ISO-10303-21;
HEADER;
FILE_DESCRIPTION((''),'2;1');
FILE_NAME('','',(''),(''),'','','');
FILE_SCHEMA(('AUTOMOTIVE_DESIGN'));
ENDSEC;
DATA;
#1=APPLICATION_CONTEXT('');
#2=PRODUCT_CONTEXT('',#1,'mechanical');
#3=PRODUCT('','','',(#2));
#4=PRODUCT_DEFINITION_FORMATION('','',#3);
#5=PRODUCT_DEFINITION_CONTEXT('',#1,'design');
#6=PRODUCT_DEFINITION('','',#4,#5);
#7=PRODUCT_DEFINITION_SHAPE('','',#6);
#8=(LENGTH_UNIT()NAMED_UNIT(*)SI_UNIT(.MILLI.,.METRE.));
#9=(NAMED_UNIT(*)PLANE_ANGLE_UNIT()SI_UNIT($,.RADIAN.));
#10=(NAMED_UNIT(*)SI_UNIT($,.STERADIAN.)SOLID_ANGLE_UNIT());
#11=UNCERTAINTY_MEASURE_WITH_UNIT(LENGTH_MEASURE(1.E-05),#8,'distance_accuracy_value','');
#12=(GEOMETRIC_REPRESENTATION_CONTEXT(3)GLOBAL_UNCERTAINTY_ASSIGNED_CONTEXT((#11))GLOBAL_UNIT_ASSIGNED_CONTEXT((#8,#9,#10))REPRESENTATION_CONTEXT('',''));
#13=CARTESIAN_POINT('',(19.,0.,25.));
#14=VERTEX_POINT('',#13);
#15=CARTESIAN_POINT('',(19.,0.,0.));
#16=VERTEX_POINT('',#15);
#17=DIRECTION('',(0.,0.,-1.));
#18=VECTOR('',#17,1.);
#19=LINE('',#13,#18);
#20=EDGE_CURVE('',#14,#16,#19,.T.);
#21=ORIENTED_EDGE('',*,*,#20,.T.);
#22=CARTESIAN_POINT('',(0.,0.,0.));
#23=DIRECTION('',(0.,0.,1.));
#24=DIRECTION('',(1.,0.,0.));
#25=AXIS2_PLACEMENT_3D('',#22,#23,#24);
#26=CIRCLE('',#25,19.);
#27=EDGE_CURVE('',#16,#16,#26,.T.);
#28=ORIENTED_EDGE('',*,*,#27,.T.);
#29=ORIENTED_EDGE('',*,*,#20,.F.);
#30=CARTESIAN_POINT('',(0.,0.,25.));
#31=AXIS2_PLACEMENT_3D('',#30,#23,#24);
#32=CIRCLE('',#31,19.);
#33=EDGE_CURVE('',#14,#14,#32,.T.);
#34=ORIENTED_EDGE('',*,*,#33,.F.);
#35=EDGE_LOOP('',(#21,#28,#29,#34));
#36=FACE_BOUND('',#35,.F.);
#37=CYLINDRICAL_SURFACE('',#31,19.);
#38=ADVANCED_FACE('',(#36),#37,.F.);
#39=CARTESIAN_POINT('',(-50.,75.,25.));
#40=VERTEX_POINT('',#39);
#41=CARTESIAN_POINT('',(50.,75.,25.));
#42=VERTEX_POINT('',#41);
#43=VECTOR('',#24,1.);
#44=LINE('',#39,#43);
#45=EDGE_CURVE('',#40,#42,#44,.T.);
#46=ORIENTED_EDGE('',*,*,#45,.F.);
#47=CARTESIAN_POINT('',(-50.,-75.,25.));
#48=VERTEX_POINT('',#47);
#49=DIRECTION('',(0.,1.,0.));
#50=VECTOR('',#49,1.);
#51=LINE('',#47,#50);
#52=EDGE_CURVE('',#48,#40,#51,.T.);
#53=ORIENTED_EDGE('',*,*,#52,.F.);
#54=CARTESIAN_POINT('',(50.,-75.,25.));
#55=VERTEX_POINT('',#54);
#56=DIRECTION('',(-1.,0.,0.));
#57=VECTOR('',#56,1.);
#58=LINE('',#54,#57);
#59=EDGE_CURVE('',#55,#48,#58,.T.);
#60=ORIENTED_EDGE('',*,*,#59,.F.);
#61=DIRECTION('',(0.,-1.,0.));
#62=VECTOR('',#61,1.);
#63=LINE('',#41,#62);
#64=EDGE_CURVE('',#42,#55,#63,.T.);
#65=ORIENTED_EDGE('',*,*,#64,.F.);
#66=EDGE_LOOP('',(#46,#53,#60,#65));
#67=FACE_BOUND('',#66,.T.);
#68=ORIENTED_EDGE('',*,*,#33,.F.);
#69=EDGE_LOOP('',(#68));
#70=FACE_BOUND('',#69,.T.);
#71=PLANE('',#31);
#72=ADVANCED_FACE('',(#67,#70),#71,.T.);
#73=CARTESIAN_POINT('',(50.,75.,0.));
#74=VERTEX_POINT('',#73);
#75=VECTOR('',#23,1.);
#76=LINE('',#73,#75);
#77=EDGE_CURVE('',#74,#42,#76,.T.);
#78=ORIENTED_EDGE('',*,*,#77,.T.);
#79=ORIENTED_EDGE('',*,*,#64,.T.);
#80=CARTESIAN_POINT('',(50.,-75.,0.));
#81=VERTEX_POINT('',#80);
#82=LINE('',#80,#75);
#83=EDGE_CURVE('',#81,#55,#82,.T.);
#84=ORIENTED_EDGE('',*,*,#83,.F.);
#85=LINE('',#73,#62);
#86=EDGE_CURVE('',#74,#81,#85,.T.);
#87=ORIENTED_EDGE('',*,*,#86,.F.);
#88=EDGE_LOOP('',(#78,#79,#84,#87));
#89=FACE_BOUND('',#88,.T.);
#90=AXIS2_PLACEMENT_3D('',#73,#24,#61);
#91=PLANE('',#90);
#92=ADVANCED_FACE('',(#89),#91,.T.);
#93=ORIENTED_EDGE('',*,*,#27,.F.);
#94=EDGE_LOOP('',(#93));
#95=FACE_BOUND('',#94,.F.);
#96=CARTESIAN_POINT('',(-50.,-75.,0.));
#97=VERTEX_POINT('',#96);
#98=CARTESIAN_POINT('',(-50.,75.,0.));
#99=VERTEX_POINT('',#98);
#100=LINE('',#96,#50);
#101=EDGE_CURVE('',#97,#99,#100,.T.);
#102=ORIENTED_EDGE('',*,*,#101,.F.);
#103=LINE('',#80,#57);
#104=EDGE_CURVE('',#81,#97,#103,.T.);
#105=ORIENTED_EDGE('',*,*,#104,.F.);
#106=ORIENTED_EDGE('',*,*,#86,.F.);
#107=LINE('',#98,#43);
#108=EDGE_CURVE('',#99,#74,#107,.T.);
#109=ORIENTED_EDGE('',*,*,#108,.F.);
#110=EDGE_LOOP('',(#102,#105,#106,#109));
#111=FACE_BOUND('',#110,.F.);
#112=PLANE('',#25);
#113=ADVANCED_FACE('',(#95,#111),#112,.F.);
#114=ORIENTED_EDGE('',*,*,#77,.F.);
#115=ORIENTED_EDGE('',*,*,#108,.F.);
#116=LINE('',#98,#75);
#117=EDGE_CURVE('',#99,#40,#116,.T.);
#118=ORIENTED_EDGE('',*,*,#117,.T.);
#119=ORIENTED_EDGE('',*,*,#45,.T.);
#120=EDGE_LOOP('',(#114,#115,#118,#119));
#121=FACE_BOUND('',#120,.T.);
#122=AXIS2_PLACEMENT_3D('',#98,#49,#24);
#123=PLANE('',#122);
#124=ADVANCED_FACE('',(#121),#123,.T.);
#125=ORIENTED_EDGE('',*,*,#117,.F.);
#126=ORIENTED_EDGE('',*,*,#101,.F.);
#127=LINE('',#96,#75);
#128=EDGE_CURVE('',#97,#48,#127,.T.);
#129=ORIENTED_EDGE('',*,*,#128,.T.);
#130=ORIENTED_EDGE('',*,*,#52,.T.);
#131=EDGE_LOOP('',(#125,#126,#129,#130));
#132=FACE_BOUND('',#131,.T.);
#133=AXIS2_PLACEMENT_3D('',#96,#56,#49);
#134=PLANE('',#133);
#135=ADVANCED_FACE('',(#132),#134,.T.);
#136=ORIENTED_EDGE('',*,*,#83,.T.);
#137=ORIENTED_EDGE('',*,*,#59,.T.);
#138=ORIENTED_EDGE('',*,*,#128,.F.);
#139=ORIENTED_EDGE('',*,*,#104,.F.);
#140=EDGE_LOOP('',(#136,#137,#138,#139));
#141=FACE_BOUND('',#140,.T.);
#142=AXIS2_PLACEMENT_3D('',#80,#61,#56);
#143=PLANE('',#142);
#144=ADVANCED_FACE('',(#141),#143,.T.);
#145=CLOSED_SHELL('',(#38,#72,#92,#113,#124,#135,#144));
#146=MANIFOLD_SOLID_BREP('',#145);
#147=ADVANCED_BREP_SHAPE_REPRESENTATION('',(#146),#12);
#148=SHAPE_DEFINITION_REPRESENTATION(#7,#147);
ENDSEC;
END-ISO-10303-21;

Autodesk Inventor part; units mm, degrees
ref_plane "YZ Plane" through (0, 0, 0) normal (1, 0, 0) x (0, 1, 0)
ref_plane "XZ Plane" through (0, 0, 0) normal (0, 1, 0) x (-1, 0, 0)
ref_plane "XY Plane" through (0, 0, 0) normal (0, 0, 1) x (1, 0, 0)
sketch "Sketch1" plane through (0, 0, 0) normal (0, 0, 1) x (1, 0, 0)
  line L0 (-50, 75) -> (50, 75)
  line L1 (50, 75) -> (50, -75)
  line L2 (50, -75) -> (-50, -75)
  line L3 (-50, -75) -> (-50, 75)
  point P0 (0, 0)
  point P1 (0, 75)
  point P2 (-50, 0)
  dimension "d0" = 100
  dimension "d1" = 150
extrude "Extrusion1" add sketch "Sketch1" along normal blind 25
sketch "Sketch2" plane through (0, 0, 25) normal (0, 0, 1) x (1, 0, 0)
  line L0 (50, 75) -> (-50, 75) projected
  line L1 (-50, -75) -> (50, -75) projected
  line L2 (-50, 75) -> (50, -75) construction
  circle A0 centre (0, 0) radius 19
  dimension "d4" = 38
extrude "Extrusion2" cut sketch "Sketch2" against normal through all
properties part number "Foam_Top_Big_Mic" material "Polystyrene, Expanded"
